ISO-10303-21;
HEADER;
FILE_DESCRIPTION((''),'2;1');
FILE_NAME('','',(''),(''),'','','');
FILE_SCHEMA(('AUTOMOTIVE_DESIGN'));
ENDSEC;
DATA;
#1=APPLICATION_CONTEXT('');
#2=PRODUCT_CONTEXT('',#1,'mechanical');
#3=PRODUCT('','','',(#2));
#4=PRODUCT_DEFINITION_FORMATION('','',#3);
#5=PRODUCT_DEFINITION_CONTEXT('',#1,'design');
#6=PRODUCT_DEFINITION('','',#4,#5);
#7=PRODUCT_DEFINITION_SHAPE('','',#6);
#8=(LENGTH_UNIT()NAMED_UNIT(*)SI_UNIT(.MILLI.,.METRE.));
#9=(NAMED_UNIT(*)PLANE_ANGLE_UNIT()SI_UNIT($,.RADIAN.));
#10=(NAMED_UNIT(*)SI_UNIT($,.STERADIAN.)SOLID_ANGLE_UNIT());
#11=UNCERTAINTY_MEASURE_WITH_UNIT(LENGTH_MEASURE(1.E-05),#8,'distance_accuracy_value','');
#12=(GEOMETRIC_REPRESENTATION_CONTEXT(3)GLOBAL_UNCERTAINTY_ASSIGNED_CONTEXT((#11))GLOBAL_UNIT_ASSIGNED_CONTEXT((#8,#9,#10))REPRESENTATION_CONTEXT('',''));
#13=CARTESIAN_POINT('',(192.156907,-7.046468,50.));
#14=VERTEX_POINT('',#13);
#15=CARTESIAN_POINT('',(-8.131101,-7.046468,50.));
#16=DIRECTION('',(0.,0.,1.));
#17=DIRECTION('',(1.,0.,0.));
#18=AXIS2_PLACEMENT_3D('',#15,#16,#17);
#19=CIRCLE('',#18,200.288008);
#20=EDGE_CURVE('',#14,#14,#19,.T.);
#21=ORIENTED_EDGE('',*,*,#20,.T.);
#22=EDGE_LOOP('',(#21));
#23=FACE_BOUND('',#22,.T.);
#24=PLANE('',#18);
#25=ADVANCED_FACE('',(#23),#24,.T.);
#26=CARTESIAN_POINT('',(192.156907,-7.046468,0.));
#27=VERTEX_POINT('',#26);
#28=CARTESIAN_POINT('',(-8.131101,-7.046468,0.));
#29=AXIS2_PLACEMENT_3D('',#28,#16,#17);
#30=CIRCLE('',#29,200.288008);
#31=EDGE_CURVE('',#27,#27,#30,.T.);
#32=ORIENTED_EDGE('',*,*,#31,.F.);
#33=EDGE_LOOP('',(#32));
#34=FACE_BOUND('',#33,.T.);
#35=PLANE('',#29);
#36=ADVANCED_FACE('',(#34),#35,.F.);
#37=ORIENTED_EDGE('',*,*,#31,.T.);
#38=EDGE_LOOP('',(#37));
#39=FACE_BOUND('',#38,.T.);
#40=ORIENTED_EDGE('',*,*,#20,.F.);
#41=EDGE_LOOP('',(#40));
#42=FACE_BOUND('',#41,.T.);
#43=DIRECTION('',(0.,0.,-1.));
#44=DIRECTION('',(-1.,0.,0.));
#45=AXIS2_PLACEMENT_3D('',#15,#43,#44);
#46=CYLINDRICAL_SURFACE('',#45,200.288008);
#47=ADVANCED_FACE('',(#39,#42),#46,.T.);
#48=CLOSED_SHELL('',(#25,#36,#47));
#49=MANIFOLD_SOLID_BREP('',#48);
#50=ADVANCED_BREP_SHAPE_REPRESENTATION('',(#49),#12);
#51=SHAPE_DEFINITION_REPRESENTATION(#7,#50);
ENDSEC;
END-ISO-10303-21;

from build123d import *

# Parameters (mm, degrees)
SKETCH_1_R      = 200.288008157
EXTRUDE_1_DEPTH = 50


with BuildPart() as part:
    # Эскиз1 → Бобышка-Вытянуть1 (new body)
    with BuildSketch(Plane.XY):
        with Locations((-8.131100847, -7.046467535)):
            Circle(SKETCH_1_R)
    extrude(amount=EXTRUDE_1_DEPTH)


solid = part.part
